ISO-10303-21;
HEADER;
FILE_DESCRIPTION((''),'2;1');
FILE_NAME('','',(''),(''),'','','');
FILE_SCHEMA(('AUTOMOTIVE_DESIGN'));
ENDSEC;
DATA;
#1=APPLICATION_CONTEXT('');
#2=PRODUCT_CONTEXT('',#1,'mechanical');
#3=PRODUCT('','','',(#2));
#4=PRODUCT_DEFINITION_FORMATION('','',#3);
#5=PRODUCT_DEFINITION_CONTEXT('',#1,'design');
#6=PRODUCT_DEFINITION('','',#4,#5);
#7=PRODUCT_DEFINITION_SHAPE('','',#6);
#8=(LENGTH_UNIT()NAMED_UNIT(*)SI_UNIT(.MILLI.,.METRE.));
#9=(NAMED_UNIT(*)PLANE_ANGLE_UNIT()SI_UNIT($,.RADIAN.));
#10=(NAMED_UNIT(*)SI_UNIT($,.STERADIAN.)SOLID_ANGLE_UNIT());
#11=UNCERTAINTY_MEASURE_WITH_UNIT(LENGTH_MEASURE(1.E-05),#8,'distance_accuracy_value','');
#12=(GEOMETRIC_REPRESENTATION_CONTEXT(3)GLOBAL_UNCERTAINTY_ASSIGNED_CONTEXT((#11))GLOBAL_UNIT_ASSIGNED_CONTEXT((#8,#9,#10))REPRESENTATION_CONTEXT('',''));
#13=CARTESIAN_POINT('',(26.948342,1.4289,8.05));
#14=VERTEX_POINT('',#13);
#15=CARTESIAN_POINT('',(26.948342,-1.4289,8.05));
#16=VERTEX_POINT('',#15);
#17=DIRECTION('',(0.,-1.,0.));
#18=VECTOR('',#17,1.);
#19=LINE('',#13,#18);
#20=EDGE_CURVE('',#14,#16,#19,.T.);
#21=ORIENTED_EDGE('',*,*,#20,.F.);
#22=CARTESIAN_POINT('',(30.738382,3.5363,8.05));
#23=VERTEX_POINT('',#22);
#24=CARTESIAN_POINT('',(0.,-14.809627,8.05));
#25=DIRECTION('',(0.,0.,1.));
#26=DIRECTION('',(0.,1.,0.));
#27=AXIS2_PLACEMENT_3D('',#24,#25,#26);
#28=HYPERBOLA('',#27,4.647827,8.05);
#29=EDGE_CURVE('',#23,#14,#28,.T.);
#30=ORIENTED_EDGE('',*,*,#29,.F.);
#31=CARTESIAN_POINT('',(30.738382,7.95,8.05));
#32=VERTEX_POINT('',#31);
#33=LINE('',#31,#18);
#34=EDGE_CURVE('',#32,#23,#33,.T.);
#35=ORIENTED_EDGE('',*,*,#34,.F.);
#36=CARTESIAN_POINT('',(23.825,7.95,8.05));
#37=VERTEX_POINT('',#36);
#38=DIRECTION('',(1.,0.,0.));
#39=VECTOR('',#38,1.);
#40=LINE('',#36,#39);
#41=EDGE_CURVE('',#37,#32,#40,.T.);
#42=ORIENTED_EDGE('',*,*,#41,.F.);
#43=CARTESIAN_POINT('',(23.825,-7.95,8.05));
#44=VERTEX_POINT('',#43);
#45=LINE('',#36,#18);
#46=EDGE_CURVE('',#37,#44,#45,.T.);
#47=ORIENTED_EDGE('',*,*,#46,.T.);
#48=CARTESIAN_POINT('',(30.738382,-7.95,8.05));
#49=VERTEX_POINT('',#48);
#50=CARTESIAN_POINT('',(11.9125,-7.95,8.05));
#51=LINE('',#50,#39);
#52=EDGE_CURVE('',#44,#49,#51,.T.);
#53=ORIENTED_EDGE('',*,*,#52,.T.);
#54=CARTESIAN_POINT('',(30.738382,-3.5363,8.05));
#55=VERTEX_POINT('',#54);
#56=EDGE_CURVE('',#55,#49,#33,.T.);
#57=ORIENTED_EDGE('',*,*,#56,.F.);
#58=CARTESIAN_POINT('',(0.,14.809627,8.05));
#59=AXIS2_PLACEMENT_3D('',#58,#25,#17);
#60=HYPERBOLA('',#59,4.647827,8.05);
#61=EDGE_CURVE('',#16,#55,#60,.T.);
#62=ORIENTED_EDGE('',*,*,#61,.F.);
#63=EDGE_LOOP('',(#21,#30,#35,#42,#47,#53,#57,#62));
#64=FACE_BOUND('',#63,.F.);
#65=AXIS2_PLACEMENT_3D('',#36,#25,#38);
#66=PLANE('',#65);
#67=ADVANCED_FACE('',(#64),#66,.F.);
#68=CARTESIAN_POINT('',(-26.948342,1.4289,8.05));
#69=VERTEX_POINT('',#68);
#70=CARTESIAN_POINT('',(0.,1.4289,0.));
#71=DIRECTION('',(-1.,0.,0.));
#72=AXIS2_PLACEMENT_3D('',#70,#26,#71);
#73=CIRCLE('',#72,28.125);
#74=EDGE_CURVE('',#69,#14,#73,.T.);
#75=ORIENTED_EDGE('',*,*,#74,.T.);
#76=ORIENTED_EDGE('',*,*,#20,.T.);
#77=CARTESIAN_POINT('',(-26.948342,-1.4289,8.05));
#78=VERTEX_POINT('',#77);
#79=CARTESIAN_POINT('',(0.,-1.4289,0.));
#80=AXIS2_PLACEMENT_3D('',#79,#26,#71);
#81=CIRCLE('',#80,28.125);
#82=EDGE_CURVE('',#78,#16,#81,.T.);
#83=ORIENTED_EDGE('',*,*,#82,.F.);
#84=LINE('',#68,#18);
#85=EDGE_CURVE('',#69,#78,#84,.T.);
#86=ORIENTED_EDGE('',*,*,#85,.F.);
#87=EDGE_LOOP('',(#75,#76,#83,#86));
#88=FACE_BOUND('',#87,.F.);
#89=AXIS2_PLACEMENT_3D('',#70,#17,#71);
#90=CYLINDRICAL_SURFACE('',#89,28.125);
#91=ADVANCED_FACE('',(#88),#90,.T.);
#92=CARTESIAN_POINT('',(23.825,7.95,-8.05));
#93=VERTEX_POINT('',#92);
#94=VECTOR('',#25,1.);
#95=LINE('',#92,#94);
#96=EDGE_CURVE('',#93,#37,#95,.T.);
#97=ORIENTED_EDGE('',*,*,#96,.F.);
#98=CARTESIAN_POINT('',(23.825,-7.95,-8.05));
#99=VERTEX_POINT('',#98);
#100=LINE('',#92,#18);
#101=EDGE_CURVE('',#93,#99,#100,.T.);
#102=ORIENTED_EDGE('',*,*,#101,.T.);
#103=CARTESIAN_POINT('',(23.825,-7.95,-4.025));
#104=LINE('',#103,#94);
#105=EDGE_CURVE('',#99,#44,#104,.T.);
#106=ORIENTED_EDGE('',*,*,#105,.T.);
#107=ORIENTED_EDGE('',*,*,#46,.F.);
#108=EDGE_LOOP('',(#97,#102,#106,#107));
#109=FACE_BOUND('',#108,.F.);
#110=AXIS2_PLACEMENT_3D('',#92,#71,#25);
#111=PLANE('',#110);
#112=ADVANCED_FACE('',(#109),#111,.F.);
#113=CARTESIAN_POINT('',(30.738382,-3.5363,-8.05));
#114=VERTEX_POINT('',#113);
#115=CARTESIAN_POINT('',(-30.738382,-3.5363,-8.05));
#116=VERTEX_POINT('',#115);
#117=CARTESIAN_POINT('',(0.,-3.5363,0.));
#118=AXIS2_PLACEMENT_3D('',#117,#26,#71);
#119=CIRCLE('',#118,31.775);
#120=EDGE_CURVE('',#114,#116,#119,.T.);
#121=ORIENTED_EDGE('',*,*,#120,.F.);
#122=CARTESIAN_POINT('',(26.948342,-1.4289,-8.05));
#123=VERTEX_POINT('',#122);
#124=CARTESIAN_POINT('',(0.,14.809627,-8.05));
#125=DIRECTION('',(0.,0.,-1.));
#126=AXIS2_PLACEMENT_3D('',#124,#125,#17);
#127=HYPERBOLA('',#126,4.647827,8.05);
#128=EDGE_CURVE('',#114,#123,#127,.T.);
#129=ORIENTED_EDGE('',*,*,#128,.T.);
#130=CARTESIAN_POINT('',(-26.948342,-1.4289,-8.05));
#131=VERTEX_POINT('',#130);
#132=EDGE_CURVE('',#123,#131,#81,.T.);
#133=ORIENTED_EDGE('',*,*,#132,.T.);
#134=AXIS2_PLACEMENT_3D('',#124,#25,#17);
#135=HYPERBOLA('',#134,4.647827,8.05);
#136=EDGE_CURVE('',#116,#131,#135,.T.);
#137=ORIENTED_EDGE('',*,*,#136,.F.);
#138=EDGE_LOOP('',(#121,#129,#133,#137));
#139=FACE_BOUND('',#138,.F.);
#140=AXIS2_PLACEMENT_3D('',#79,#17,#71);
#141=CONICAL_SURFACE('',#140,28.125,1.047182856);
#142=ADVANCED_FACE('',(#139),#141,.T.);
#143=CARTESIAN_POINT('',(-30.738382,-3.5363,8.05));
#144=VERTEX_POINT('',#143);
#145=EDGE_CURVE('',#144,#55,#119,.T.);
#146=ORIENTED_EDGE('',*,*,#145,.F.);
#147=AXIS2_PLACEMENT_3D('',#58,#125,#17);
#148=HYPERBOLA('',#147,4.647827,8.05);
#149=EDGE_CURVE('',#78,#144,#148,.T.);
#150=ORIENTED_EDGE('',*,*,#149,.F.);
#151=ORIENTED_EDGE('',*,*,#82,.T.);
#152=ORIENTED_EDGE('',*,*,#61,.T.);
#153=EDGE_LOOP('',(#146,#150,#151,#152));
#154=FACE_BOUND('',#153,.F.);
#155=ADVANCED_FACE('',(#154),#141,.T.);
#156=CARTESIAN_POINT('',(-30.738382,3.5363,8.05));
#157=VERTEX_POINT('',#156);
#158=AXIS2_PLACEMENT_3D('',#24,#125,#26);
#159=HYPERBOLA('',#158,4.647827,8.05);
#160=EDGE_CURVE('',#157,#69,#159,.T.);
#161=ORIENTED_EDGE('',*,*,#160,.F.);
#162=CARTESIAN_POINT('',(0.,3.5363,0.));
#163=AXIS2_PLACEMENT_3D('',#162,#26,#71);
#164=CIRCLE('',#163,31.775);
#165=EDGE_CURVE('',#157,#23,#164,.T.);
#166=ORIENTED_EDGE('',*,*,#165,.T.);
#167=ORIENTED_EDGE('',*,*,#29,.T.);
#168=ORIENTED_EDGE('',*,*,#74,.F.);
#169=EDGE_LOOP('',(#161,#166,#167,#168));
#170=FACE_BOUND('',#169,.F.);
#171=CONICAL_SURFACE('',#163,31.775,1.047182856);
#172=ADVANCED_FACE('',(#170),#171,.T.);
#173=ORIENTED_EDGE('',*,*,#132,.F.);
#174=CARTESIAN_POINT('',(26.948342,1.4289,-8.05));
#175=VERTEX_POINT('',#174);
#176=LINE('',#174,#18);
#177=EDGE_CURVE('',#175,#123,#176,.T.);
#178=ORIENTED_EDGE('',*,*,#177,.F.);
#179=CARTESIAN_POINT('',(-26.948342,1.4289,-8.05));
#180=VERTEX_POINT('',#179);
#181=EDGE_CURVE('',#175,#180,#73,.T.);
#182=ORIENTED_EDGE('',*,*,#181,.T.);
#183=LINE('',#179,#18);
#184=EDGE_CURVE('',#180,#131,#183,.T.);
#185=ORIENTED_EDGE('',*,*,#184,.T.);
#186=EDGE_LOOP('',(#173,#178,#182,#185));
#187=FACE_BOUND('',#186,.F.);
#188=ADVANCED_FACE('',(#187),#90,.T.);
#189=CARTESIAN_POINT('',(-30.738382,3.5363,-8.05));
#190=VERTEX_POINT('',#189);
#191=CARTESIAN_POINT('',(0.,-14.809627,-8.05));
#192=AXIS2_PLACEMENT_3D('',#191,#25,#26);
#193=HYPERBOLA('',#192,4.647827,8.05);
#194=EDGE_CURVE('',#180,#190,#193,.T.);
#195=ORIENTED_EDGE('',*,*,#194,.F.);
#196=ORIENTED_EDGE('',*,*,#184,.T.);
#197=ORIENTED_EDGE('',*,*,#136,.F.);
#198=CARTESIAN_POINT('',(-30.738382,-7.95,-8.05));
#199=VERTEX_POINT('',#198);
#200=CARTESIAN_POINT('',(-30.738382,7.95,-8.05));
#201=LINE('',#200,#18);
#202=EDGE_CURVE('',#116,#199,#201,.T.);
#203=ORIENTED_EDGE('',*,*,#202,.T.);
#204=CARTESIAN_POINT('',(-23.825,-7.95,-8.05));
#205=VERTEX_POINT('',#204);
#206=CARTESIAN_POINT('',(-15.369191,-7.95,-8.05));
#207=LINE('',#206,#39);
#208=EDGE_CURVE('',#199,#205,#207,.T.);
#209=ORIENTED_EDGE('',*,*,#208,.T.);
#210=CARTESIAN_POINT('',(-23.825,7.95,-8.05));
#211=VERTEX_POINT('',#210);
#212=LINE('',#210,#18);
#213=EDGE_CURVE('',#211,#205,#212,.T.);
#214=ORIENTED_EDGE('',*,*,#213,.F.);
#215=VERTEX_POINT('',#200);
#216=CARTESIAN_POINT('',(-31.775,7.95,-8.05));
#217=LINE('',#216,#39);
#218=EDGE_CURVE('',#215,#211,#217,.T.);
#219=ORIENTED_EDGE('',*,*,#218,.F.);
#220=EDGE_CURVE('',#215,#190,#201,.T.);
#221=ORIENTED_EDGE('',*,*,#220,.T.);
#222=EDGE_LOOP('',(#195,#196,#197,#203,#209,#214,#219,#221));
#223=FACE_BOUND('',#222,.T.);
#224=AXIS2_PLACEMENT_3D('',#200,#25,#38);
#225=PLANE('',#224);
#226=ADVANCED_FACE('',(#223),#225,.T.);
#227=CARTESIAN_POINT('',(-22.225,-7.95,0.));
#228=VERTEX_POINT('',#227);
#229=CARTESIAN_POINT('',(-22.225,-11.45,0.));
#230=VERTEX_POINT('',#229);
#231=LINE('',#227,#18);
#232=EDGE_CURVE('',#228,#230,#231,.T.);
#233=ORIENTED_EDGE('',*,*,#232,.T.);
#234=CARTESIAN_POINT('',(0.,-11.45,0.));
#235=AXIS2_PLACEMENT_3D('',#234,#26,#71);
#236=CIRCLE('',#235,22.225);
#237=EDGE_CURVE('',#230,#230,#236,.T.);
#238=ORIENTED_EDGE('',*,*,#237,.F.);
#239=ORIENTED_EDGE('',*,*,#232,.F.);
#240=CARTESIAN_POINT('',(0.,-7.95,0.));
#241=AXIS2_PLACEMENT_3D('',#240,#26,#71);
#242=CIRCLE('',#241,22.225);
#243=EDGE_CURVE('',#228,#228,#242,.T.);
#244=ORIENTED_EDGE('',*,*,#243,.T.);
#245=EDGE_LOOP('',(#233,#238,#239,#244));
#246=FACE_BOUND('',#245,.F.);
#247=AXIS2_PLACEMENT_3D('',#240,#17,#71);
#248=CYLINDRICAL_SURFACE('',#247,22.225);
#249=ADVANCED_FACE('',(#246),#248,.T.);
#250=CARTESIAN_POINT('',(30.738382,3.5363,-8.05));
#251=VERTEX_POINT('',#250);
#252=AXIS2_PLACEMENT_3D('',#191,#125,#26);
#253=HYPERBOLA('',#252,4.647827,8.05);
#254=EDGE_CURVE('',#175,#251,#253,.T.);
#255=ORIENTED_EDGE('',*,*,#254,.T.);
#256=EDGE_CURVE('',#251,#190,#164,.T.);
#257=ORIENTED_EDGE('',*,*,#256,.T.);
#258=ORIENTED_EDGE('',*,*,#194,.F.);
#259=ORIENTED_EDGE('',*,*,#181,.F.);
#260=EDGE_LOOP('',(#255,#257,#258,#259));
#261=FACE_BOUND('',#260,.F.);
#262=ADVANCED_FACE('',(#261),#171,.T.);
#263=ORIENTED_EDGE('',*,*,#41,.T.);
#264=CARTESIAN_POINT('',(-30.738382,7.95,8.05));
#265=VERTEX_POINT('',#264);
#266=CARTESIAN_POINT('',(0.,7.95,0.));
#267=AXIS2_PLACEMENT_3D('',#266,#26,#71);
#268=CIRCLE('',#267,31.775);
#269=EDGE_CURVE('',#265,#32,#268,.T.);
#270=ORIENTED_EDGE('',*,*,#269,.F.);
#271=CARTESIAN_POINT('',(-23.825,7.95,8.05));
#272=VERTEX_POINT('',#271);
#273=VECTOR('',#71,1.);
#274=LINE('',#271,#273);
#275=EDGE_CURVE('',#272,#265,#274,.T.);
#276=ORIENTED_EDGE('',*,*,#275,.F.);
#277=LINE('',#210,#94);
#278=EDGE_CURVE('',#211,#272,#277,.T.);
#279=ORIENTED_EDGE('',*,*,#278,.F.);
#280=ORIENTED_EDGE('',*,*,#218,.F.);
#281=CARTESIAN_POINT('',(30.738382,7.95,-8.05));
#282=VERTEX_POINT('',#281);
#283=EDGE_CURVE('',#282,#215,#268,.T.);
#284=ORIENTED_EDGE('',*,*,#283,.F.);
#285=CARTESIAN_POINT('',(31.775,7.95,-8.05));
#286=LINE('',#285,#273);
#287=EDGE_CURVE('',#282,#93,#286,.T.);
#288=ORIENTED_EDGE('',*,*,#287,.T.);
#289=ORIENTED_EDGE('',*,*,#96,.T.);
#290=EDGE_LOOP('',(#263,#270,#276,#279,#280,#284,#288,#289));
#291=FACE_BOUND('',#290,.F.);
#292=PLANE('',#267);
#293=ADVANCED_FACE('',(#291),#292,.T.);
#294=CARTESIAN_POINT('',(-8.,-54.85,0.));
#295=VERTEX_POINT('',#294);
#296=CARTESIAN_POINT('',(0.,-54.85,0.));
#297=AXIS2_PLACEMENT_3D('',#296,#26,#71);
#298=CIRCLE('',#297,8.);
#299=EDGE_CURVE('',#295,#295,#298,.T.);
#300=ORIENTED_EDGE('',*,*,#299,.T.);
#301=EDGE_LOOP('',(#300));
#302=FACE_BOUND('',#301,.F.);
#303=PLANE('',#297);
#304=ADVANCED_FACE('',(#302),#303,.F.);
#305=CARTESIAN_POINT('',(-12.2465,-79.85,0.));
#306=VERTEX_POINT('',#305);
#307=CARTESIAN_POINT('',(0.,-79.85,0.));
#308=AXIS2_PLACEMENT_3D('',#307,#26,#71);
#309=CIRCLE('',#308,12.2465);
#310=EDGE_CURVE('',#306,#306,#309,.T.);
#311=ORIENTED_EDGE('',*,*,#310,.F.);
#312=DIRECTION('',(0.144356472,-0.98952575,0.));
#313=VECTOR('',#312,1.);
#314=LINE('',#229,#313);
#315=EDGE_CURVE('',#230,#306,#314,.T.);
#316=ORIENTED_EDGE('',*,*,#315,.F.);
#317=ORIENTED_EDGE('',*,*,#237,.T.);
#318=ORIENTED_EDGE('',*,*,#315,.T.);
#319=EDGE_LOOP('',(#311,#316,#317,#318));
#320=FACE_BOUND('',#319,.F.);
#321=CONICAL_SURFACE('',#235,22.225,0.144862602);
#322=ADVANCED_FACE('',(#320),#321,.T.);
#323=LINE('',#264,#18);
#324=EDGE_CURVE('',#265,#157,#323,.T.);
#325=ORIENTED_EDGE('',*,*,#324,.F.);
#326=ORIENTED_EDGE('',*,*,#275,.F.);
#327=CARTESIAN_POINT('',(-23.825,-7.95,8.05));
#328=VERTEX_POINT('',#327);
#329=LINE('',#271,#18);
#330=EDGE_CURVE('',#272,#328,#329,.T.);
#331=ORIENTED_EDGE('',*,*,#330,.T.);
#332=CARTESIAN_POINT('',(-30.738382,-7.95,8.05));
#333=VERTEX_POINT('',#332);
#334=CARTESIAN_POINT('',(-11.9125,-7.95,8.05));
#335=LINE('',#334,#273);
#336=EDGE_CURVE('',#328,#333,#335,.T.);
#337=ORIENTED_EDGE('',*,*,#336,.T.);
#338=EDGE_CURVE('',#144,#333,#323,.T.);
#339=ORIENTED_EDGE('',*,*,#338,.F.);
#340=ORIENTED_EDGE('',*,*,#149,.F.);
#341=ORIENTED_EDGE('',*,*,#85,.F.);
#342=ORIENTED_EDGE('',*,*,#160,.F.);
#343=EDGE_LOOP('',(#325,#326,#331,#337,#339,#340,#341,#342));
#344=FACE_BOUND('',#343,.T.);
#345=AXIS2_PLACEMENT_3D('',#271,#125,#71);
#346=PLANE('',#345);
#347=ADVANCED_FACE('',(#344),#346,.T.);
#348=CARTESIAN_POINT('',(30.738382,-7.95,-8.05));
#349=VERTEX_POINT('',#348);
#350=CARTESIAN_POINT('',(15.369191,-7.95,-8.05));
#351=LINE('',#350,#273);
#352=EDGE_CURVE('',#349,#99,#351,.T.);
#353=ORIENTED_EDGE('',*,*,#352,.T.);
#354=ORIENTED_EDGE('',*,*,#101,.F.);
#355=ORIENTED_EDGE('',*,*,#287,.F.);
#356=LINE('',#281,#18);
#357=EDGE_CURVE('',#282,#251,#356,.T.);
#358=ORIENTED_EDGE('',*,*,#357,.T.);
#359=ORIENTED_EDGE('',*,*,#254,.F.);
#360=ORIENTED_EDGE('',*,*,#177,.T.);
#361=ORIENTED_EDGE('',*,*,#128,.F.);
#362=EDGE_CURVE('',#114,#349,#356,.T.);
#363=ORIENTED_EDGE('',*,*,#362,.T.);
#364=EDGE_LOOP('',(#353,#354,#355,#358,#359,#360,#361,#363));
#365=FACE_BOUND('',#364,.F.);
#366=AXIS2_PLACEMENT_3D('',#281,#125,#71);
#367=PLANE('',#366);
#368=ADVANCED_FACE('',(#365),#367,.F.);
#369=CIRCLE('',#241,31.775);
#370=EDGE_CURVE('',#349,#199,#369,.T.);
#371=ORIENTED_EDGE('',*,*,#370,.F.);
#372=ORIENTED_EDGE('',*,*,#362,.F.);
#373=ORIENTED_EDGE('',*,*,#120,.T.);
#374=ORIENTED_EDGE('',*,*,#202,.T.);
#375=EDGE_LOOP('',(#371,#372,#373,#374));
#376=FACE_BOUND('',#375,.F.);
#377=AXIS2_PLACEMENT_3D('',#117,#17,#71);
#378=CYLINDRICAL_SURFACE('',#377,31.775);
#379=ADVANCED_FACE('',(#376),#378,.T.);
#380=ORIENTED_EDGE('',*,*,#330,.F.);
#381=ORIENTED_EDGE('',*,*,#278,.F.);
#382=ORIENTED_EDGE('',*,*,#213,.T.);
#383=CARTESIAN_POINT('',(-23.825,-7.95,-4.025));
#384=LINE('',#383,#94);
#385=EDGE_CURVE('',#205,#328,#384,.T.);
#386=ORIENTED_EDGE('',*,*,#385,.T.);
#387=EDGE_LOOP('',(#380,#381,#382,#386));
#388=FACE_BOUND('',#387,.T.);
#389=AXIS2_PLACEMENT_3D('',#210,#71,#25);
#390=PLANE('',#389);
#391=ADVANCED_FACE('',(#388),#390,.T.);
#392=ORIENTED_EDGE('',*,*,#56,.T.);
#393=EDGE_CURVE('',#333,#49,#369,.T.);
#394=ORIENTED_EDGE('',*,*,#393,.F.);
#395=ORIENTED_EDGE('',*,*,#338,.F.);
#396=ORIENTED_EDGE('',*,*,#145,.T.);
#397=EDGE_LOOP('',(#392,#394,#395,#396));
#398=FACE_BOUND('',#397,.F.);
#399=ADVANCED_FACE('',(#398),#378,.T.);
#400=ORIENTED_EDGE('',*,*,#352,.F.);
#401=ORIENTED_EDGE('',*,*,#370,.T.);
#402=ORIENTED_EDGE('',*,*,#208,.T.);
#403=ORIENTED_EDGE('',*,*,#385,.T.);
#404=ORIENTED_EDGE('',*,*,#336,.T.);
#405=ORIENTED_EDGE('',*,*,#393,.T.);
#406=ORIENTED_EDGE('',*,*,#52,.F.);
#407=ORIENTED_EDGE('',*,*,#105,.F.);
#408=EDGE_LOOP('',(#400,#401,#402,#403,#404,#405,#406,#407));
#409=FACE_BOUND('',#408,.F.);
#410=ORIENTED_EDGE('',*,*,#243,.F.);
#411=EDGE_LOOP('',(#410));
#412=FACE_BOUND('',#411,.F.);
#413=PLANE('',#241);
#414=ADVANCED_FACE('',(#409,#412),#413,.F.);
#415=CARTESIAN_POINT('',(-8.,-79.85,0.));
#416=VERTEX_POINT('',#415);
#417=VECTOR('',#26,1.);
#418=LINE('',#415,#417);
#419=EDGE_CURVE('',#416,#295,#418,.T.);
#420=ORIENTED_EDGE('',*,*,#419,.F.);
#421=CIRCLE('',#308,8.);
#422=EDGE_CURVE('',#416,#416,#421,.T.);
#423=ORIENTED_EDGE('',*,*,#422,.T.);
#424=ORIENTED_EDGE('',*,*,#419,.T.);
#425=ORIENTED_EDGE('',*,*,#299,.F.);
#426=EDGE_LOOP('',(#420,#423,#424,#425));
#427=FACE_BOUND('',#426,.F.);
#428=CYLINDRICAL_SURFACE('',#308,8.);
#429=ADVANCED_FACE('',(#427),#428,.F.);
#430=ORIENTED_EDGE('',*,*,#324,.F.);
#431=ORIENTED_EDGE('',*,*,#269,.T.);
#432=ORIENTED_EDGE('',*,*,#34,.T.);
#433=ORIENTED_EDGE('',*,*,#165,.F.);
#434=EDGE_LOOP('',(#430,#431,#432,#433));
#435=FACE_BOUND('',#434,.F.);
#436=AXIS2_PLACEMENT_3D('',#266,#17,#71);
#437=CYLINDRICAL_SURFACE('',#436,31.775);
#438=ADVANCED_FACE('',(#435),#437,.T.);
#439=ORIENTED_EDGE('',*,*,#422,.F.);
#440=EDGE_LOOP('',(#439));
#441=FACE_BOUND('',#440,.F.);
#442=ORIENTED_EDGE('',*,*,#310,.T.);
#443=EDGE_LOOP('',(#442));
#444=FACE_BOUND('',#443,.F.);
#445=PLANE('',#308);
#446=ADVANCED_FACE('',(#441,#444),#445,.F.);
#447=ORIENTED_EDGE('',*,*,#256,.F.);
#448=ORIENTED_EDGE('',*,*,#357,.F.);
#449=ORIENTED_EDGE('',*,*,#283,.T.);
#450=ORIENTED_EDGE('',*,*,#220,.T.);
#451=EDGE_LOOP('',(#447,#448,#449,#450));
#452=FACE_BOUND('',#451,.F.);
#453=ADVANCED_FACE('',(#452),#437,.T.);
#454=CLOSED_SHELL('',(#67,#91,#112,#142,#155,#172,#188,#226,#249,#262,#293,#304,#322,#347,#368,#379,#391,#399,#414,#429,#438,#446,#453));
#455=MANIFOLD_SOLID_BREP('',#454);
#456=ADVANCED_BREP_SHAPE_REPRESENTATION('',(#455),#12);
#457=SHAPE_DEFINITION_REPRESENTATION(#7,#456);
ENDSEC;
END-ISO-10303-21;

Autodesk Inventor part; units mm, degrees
ref_plane "YZ Plane" through (0, 0, 0) normal (1, 0, 0) x (0, 1, 0)
ref_plane "XZ Plane" through (0, 0, 0) normal (0, 1, 0) x (-1, 0, 0)
ref_plane "XY Plane" through (0, 0, 0) normal (0, 0, 1) x (1, 0, 0)
sketch "Sketch1" plane through (0, 0, 0) normal (0, 0, 1) x (1, 0, 0)
  line L0 (-43.38, 0) -> (7.23, 0) construction
  line L1 (0, -97.41) -> (0, 25.51) projected
  line L2 (0, 7.95) -> (-31.775, 7.95)
  line L3 (-31.775, 7.95) -> (-31.775, 3.5363)
  line L4 (-31.775, 3.5363) -> (-28.125, 1.4289)
  line L5 (-28.125, 1.4289) -> (-28.125, -1.4289)
  line L6 (-31.775, -7.95) -> (0, -7.95)
  line L7 (-28.125, -1.4289) -> (-31.775, -3.5363)
  line L8 (-31.775, -3.5363) -> (-31.775, -7.95)
  circle A0 centre (-32.65, 0) radius 3.5 construction
  line L9 (-22.225, -7.95) -> (-22.225, -11.45)
  line L10 (-22.225, -11.45) -> (0, -11.45) construction
  line L11 (-22.225, -11.45) -> (-12.2465, -79.85)
  line L12 (-12.2465, -79.85) -> (-8, -79.85)
  line L13 (-8, -79.85) -> (-8, -54.85)
  line L14 (-8, -54.85) -> (0, -54.85)
  point P0 (0, 0)
  point P1 (-36.15, 0)
  dimension "d5" = 7
  dimension "d0" = 60
  dimension "d1" = 56.25
  dimension "d2" = 63.55
  dimension "d3" = 15.9
  dimension "d6" = 72.3
  dimension "d14" = 3.5
  dimension "d15" = 44.45
  dimension "d16" = 68.4
  dimension "d17" = 8.3
  dimension "d18" = 25
  dimension "d19" = 16
  dimension "d20" = 24.493
revolve "Revolution1" add sketch "Sketch1" angle 360 about axis through (0, -10, 0) along (0, 1, 0)
sketch "Sketch2" plane through (0, 7.95, 0) normal (0, 1, 0) x (1, 0, 0)
  circle A0 centre (0, 0) radius 31.775 construction
  line L0 (-44.485, 0) -> (44.485, 0) construction
  line L1 (0, 44.485) -> (0, -44.485) construction
  line L2 (-31.775, 8.05) -> (-23.825, 8.05)
  line L3 (-23.825, 8.05) -> (-23.825, -8.05)
  line L4 (-23.825, -8.05) -> (-31.775, -8.05)
  line L5 (-31.775, -8.05) -> (-31.775, 8.05)
  circle A1 centre (0, 0) radius 31.775 projected
  line L6 (31.775, 8.05) -> (23.825, 8.05)
  line L7 (23.825, 8.05) -> (23.825, -8.05)
  line L8 (23.825, -8.05) -> (31.775, -8.05)
  line L9 (31.775, -8.05) -> (31.775, 8.05)
  point P0 (-31.775, 0)
  point P1 (31.775, 0)
  point P2 (30.7384, -8.05)
  point P3 (30.7384, 8.05)
  point P4 (-30.7384, 8.05)
  point P5 (-30.7384, -8.05)
  dimension "d12" = 16.1
  dimension "d13" = 47.65
extrude "Extrusion1" cut sketch "Sketch2" against normal through all contours L2 L3 L4 A1 | A1 L8 L7 L6
properties part number "SK40Collar"
